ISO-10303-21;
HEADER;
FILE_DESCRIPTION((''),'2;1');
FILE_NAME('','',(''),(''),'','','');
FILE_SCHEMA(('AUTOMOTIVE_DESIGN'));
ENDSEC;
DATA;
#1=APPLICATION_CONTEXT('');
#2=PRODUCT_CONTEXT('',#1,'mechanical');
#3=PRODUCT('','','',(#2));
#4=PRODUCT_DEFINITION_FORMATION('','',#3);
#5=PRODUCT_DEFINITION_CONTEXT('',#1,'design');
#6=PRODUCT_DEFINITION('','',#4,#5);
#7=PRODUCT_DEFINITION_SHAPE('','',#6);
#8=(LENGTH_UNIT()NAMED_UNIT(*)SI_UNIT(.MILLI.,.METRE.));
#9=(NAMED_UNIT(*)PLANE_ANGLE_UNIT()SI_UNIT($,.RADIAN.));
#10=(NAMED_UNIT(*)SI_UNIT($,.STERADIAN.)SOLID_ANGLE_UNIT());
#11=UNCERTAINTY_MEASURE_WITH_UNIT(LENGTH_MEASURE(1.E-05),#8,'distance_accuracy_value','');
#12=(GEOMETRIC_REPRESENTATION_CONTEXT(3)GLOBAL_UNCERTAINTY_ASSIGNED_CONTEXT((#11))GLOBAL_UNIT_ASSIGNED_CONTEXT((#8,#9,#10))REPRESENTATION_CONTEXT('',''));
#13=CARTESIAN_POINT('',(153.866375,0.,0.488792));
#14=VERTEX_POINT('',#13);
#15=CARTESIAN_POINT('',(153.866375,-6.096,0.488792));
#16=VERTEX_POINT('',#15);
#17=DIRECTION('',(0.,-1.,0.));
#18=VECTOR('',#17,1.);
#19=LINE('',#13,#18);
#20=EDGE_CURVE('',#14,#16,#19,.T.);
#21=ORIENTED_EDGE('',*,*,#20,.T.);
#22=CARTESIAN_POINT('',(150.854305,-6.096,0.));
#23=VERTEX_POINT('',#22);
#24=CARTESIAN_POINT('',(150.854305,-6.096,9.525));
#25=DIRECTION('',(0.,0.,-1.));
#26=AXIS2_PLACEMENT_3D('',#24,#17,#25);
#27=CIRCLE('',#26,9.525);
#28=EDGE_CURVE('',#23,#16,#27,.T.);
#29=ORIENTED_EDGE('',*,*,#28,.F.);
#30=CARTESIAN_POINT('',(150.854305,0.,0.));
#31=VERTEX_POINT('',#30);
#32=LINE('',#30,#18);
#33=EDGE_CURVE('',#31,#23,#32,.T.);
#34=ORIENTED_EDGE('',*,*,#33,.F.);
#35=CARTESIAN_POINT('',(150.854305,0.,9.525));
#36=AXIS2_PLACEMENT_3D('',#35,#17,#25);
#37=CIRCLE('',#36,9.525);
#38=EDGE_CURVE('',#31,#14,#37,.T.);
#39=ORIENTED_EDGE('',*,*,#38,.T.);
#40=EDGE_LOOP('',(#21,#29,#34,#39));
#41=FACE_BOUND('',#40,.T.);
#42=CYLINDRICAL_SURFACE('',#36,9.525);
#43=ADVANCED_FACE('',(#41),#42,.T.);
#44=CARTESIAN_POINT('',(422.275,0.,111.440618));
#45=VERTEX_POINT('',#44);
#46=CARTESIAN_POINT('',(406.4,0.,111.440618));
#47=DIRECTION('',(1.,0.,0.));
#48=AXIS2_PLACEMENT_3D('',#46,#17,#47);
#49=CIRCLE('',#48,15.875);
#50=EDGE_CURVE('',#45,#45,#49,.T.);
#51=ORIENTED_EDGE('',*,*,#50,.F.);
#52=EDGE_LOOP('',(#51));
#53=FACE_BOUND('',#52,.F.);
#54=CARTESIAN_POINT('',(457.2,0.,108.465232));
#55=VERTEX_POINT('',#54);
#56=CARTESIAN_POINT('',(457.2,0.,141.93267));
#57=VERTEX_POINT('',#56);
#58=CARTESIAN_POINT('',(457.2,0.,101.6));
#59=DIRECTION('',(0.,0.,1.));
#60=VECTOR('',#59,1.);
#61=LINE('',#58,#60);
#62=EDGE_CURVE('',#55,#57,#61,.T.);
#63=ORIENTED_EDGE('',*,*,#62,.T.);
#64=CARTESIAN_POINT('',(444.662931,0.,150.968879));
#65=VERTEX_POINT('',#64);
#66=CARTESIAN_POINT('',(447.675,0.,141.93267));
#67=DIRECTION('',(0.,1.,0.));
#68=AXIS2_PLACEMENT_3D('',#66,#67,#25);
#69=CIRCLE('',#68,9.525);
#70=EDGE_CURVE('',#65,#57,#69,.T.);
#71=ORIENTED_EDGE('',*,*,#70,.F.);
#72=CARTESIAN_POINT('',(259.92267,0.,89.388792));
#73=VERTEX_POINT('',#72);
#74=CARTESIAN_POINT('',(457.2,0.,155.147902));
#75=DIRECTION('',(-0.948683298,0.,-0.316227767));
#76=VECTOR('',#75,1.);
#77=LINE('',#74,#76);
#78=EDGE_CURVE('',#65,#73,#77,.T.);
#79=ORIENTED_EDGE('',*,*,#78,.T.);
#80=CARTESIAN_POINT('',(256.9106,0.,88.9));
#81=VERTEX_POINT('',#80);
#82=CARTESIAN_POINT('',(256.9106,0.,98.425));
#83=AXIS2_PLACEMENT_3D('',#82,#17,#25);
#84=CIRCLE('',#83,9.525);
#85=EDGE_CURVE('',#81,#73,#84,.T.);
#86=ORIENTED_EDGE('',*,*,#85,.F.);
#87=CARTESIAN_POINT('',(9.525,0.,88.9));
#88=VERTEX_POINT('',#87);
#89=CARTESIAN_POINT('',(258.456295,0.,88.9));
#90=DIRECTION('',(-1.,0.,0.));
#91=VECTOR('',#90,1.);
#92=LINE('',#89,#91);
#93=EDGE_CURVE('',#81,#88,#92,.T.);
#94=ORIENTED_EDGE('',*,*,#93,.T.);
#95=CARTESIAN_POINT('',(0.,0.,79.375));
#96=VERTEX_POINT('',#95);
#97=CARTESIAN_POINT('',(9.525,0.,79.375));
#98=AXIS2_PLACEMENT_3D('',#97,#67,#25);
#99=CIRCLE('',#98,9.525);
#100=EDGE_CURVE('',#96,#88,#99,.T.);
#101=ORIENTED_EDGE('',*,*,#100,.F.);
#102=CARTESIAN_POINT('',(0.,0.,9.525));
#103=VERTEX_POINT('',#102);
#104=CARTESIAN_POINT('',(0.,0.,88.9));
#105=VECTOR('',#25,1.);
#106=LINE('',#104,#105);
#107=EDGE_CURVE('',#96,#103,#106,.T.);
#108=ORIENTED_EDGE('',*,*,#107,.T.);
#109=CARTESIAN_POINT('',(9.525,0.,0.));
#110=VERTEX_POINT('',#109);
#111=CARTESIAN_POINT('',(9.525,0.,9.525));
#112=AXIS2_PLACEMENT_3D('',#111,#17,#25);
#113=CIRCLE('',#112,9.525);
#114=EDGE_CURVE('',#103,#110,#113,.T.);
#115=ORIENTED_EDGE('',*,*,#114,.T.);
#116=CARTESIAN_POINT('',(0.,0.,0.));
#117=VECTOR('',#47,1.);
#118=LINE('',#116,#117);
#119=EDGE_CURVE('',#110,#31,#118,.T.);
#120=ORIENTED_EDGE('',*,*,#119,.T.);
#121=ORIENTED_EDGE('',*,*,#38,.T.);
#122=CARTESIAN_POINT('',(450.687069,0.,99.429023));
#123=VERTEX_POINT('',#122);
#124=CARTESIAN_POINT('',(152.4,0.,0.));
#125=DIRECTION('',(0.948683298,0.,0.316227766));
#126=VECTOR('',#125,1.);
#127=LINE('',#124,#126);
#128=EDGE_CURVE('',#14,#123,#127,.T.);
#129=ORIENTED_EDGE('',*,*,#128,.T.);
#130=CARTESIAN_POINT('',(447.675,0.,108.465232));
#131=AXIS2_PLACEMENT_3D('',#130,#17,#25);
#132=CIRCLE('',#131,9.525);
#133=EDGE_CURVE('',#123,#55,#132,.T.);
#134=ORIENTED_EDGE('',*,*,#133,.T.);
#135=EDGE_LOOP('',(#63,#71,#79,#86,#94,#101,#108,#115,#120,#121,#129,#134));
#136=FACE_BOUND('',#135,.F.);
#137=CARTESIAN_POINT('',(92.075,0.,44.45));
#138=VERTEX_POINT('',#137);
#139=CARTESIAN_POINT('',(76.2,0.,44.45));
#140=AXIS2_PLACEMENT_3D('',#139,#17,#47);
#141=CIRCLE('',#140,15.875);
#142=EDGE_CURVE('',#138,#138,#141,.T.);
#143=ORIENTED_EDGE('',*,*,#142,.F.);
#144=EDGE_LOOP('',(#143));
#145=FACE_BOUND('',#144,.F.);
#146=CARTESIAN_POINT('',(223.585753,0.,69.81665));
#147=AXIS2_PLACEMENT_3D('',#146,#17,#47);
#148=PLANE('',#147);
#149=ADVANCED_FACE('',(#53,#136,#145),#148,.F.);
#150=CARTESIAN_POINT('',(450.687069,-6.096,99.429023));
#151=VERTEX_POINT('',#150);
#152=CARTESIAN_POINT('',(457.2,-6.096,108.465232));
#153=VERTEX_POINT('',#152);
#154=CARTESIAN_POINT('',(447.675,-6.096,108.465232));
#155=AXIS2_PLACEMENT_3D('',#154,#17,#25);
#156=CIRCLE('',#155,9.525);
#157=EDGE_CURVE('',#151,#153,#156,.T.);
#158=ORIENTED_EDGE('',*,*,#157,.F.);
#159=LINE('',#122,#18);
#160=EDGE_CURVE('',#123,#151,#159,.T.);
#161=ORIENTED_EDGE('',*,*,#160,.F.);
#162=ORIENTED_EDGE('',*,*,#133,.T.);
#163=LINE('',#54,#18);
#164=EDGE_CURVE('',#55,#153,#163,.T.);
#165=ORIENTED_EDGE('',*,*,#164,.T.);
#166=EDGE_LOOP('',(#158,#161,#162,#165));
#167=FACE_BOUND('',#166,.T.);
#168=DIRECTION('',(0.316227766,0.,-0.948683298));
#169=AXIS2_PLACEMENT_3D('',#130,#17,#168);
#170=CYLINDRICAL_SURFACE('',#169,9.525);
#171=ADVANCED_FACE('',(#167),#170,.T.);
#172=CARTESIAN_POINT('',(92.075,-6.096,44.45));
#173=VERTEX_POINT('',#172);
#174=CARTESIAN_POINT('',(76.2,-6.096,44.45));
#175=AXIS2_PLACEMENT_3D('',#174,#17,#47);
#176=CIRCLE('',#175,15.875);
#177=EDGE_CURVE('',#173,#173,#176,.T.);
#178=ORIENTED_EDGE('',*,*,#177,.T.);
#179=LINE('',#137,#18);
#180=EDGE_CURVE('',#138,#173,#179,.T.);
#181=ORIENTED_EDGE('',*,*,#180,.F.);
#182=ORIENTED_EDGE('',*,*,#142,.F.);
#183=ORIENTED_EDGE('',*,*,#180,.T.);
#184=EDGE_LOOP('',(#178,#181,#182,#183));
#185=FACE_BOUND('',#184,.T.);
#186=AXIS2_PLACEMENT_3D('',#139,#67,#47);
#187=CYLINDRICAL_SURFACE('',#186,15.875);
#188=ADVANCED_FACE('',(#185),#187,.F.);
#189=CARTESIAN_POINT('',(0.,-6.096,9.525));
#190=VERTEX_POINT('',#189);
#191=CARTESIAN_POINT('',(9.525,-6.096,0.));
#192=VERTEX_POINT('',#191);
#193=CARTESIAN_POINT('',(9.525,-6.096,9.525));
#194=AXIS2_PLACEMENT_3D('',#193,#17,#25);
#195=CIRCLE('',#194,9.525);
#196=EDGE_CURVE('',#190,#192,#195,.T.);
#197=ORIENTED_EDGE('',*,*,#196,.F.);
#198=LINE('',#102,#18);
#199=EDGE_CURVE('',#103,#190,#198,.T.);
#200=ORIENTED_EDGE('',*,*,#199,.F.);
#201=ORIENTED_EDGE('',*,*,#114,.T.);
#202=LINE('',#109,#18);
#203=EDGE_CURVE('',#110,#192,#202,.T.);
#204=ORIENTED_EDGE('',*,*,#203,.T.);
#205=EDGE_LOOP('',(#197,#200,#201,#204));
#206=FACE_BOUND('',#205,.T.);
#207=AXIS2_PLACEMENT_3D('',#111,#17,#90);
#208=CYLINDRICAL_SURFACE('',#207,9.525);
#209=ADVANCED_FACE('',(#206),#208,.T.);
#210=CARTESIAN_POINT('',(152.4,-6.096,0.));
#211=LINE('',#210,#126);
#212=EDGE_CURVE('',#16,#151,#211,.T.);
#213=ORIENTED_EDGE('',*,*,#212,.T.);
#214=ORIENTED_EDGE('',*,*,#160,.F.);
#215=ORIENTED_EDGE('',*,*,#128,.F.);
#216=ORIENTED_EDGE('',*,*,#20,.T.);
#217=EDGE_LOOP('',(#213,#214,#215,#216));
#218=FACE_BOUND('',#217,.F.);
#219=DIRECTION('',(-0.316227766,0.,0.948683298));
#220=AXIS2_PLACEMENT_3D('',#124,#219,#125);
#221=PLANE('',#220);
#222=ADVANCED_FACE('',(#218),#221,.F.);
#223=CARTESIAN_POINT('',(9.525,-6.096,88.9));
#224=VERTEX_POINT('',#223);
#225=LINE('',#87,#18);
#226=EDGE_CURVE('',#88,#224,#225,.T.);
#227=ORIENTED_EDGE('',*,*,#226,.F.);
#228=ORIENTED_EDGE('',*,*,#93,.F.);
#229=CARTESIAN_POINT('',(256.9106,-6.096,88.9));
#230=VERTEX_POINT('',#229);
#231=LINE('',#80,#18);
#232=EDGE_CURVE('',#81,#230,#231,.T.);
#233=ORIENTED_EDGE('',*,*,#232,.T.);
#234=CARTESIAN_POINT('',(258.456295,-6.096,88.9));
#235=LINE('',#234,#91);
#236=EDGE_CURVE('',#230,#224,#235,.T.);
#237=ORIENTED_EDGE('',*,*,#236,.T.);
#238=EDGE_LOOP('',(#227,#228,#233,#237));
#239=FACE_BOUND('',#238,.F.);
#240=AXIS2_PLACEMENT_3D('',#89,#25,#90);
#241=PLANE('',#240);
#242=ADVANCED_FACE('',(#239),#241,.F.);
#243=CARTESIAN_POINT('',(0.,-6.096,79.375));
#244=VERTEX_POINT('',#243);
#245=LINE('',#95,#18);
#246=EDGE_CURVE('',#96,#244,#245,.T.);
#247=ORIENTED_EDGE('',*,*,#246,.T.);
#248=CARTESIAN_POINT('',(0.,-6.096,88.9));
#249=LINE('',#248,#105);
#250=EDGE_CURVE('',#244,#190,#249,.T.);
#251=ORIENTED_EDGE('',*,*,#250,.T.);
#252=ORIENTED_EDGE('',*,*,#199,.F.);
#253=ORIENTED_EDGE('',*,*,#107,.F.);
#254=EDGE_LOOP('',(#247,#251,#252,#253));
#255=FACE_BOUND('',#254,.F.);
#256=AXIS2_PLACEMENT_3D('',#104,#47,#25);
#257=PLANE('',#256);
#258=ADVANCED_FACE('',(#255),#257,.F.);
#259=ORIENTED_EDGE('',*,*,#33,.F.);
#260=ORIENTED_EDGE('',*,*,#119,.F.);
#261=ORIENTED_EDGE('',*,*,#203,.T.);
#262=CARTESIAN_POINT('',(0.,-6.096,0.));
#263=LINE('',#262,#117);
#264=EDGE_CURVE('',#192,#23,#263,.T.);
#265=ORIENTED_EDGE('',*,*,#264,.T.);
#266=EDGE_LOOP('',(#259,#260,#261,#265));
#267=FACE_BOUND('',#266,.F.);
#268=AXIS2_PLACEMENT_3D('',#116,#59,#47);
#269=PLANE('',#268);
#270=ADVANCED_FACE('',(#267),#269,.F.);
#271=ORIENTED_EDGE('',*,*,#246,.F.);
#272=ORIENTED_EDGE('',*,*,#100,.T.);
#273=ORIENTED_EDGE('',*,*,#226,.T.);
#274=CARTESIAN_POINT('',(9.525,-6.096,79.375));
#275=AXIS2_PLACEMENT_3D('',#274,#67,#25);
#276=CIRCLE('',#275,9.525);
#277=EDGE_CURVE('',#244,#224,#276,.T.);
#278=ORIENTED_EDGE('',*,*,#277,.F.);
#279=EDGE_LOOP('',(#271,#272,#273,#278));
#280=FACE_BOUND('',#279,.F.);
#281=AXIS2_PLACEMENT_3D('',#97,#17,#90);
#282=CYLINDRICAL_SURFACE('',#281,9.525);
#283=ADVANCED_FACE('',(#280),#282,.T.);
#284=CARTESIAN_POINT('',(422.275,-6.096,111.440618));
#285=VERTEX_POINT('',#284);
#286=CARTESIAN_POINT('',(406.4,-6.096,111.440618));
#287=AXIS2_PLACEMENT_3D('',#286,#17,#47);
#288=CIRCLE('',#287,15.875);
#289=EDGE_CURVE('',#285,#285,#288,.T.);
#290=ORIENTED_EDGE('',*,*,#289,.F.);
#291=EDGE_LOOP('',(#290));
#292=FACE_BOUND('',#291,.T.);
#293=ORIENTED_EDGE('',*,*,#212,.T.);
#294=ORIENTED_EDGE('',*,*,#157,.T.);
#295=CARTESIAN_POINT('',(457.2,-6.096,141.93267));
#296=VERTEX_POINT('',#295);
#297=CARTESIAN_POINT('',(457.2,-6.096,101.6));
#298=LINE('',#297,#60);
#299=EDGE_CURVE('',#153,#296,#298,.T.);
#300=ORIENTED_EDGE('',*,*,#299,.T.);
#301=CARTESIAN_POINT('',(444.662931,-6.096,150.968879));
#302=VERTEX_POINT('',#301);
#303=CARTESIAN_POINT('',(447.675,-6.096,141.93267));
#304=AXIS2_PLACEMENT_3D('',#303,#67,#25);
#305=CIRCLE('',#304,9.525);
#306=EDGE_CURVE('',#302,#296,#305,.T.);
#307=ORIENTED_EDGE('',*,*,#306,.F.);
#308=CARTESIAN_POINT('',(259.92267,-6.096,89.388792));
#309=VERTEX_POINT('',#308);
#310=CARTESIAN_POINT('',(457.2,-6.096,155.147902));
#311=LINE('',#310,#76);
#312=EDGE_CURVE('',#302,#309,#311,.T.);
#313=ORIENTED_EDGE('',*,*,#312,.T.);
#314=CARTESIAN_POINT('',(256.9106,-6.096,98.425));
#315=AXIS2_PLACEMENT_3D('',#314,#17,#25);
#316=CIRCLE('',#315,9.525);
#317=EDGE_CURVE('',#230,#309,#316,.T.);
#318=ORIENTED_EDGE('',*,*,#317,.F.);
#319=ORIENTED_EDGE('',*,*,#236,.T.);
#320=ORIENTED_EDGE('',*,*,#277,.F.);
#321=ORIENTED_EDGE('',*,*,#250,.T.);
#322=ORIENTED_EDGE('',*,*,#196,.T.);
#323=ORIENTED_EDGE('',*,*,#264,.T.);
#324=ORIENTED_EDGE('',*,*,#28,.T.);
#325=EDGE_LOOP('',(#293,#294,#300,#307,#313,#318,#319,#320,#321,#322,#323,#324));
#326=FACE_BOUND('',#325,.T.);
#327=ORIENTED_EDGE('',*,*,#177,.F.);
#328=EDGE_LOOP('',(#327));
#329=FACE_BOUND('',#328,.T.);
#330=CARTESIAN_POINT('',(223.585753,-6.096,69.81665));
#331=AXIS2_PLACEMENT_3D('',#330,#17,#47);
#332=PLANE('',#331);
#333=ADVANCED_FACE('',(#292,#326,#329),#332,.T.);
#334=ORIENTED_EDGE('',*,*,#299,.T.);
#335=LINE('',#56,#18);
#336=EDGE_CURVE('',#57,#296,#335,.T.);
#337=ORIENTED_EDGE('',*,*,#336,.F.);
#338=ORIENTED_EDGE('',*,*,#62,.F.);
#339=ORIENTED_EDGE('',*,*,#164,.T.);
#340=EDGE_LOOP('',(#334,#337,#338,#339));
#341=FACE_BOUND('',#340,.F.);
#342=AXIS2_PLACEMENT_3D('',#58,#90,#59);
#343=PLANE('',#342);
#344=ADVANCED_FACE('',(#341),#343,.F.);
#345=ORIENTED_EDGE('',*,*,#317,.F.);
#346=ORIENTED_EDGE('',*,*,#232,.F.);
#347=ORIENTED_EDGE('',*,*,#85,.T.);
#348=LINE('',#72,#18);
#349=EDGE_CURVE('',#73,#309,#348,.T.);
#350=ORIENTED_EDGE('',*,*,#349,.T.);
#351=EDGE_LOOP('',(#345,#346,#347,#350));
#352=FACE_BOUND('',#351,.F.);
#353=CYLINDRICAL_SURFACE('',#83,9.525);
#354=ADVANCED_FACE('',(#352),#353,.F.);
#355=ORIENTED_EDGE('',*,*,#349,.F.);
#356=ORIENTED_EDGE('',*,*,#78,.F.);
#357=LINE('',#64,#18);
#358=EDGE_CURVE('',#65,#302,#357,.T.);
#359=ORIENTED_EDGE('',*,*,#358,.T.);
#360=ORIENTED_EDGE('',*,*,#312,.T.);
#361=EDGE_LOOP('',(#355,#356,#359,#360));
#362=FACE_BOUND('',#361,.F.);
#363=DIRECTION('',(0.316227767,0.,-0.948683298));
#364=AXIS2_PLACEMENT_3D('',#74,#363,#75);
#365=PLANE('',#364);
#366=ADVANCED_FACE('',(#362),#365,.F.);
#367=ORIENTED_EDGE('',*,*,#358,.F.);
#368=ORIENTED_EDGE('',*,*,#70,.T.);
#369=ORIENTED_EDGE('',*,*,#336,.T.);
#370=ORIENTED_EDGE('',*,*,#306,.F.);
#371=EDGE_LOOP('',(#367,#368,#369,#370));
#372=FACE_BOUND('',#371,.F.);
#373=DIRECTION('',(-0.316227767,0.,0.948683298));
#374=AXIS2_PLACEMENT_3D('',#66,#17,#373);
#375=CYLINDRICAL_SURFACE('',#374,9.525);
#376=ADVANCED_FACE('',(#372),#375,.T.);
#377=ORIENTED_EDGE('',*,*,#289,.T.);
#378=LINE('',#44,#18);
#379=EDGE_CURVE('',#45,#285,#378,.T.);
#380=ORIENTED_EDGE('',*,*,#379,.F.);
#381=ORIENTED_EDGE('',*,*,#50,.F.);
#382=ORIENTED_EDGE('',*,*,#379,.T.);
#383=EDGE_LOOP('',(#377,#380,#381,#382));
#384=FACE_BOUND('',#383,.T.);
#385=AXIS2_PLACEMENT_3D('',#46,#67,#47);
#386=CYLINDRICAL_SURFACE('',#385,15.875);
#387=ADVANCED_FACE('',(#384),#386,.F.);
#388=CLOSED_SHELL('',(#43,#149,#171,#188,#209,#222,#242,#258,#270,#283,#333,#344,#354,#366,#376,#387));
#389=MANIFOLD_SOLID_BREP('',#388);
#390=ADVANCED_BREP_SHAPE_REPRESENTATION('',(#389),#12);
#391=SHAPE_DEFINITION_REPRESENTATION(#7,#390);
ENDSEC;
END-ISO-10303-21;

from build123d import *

# Parameters (mm, degrees)
F0_R     = 15.875
F1_DEPTH = 6.096
F2_R     = 9.525


with BuildPart() as f1:
    # F0 (on Front) → F1 (new body)
    with BuildSketch(Plane.XZ):
        Polygon((0, 88.9), (0, 0), (152.4, 0), (457.2, 101.6), (457.2, 155.147902), (258.456295, 88.9), (152.4, 88.9), align=None)
        with Locations((76.2, 44.45)):
            Circle(F0_R, mode=Mode.SUBTRACT)
        with Locations((406.4, 111.440618)):
            Circle(F0_R, mode=Mode.SUBTRACT)
    extrude(amount=F1_DEPTH)

    # F2
    f2_edges = [f1.edges().sort_by_distance(p)[0] for p in [
        (457.2, -3.048, 101.6),
        (457.2, -3.048, 155.147902),
        (258.456295, -3.048, 88.9),
        (0, -3.048, 88.9),
        (0, -3.048, 0),
        (152.4, -3.048, 0),
    ]]
    fillet(f2_edges, radius=F2_R)


solid = f1.part
